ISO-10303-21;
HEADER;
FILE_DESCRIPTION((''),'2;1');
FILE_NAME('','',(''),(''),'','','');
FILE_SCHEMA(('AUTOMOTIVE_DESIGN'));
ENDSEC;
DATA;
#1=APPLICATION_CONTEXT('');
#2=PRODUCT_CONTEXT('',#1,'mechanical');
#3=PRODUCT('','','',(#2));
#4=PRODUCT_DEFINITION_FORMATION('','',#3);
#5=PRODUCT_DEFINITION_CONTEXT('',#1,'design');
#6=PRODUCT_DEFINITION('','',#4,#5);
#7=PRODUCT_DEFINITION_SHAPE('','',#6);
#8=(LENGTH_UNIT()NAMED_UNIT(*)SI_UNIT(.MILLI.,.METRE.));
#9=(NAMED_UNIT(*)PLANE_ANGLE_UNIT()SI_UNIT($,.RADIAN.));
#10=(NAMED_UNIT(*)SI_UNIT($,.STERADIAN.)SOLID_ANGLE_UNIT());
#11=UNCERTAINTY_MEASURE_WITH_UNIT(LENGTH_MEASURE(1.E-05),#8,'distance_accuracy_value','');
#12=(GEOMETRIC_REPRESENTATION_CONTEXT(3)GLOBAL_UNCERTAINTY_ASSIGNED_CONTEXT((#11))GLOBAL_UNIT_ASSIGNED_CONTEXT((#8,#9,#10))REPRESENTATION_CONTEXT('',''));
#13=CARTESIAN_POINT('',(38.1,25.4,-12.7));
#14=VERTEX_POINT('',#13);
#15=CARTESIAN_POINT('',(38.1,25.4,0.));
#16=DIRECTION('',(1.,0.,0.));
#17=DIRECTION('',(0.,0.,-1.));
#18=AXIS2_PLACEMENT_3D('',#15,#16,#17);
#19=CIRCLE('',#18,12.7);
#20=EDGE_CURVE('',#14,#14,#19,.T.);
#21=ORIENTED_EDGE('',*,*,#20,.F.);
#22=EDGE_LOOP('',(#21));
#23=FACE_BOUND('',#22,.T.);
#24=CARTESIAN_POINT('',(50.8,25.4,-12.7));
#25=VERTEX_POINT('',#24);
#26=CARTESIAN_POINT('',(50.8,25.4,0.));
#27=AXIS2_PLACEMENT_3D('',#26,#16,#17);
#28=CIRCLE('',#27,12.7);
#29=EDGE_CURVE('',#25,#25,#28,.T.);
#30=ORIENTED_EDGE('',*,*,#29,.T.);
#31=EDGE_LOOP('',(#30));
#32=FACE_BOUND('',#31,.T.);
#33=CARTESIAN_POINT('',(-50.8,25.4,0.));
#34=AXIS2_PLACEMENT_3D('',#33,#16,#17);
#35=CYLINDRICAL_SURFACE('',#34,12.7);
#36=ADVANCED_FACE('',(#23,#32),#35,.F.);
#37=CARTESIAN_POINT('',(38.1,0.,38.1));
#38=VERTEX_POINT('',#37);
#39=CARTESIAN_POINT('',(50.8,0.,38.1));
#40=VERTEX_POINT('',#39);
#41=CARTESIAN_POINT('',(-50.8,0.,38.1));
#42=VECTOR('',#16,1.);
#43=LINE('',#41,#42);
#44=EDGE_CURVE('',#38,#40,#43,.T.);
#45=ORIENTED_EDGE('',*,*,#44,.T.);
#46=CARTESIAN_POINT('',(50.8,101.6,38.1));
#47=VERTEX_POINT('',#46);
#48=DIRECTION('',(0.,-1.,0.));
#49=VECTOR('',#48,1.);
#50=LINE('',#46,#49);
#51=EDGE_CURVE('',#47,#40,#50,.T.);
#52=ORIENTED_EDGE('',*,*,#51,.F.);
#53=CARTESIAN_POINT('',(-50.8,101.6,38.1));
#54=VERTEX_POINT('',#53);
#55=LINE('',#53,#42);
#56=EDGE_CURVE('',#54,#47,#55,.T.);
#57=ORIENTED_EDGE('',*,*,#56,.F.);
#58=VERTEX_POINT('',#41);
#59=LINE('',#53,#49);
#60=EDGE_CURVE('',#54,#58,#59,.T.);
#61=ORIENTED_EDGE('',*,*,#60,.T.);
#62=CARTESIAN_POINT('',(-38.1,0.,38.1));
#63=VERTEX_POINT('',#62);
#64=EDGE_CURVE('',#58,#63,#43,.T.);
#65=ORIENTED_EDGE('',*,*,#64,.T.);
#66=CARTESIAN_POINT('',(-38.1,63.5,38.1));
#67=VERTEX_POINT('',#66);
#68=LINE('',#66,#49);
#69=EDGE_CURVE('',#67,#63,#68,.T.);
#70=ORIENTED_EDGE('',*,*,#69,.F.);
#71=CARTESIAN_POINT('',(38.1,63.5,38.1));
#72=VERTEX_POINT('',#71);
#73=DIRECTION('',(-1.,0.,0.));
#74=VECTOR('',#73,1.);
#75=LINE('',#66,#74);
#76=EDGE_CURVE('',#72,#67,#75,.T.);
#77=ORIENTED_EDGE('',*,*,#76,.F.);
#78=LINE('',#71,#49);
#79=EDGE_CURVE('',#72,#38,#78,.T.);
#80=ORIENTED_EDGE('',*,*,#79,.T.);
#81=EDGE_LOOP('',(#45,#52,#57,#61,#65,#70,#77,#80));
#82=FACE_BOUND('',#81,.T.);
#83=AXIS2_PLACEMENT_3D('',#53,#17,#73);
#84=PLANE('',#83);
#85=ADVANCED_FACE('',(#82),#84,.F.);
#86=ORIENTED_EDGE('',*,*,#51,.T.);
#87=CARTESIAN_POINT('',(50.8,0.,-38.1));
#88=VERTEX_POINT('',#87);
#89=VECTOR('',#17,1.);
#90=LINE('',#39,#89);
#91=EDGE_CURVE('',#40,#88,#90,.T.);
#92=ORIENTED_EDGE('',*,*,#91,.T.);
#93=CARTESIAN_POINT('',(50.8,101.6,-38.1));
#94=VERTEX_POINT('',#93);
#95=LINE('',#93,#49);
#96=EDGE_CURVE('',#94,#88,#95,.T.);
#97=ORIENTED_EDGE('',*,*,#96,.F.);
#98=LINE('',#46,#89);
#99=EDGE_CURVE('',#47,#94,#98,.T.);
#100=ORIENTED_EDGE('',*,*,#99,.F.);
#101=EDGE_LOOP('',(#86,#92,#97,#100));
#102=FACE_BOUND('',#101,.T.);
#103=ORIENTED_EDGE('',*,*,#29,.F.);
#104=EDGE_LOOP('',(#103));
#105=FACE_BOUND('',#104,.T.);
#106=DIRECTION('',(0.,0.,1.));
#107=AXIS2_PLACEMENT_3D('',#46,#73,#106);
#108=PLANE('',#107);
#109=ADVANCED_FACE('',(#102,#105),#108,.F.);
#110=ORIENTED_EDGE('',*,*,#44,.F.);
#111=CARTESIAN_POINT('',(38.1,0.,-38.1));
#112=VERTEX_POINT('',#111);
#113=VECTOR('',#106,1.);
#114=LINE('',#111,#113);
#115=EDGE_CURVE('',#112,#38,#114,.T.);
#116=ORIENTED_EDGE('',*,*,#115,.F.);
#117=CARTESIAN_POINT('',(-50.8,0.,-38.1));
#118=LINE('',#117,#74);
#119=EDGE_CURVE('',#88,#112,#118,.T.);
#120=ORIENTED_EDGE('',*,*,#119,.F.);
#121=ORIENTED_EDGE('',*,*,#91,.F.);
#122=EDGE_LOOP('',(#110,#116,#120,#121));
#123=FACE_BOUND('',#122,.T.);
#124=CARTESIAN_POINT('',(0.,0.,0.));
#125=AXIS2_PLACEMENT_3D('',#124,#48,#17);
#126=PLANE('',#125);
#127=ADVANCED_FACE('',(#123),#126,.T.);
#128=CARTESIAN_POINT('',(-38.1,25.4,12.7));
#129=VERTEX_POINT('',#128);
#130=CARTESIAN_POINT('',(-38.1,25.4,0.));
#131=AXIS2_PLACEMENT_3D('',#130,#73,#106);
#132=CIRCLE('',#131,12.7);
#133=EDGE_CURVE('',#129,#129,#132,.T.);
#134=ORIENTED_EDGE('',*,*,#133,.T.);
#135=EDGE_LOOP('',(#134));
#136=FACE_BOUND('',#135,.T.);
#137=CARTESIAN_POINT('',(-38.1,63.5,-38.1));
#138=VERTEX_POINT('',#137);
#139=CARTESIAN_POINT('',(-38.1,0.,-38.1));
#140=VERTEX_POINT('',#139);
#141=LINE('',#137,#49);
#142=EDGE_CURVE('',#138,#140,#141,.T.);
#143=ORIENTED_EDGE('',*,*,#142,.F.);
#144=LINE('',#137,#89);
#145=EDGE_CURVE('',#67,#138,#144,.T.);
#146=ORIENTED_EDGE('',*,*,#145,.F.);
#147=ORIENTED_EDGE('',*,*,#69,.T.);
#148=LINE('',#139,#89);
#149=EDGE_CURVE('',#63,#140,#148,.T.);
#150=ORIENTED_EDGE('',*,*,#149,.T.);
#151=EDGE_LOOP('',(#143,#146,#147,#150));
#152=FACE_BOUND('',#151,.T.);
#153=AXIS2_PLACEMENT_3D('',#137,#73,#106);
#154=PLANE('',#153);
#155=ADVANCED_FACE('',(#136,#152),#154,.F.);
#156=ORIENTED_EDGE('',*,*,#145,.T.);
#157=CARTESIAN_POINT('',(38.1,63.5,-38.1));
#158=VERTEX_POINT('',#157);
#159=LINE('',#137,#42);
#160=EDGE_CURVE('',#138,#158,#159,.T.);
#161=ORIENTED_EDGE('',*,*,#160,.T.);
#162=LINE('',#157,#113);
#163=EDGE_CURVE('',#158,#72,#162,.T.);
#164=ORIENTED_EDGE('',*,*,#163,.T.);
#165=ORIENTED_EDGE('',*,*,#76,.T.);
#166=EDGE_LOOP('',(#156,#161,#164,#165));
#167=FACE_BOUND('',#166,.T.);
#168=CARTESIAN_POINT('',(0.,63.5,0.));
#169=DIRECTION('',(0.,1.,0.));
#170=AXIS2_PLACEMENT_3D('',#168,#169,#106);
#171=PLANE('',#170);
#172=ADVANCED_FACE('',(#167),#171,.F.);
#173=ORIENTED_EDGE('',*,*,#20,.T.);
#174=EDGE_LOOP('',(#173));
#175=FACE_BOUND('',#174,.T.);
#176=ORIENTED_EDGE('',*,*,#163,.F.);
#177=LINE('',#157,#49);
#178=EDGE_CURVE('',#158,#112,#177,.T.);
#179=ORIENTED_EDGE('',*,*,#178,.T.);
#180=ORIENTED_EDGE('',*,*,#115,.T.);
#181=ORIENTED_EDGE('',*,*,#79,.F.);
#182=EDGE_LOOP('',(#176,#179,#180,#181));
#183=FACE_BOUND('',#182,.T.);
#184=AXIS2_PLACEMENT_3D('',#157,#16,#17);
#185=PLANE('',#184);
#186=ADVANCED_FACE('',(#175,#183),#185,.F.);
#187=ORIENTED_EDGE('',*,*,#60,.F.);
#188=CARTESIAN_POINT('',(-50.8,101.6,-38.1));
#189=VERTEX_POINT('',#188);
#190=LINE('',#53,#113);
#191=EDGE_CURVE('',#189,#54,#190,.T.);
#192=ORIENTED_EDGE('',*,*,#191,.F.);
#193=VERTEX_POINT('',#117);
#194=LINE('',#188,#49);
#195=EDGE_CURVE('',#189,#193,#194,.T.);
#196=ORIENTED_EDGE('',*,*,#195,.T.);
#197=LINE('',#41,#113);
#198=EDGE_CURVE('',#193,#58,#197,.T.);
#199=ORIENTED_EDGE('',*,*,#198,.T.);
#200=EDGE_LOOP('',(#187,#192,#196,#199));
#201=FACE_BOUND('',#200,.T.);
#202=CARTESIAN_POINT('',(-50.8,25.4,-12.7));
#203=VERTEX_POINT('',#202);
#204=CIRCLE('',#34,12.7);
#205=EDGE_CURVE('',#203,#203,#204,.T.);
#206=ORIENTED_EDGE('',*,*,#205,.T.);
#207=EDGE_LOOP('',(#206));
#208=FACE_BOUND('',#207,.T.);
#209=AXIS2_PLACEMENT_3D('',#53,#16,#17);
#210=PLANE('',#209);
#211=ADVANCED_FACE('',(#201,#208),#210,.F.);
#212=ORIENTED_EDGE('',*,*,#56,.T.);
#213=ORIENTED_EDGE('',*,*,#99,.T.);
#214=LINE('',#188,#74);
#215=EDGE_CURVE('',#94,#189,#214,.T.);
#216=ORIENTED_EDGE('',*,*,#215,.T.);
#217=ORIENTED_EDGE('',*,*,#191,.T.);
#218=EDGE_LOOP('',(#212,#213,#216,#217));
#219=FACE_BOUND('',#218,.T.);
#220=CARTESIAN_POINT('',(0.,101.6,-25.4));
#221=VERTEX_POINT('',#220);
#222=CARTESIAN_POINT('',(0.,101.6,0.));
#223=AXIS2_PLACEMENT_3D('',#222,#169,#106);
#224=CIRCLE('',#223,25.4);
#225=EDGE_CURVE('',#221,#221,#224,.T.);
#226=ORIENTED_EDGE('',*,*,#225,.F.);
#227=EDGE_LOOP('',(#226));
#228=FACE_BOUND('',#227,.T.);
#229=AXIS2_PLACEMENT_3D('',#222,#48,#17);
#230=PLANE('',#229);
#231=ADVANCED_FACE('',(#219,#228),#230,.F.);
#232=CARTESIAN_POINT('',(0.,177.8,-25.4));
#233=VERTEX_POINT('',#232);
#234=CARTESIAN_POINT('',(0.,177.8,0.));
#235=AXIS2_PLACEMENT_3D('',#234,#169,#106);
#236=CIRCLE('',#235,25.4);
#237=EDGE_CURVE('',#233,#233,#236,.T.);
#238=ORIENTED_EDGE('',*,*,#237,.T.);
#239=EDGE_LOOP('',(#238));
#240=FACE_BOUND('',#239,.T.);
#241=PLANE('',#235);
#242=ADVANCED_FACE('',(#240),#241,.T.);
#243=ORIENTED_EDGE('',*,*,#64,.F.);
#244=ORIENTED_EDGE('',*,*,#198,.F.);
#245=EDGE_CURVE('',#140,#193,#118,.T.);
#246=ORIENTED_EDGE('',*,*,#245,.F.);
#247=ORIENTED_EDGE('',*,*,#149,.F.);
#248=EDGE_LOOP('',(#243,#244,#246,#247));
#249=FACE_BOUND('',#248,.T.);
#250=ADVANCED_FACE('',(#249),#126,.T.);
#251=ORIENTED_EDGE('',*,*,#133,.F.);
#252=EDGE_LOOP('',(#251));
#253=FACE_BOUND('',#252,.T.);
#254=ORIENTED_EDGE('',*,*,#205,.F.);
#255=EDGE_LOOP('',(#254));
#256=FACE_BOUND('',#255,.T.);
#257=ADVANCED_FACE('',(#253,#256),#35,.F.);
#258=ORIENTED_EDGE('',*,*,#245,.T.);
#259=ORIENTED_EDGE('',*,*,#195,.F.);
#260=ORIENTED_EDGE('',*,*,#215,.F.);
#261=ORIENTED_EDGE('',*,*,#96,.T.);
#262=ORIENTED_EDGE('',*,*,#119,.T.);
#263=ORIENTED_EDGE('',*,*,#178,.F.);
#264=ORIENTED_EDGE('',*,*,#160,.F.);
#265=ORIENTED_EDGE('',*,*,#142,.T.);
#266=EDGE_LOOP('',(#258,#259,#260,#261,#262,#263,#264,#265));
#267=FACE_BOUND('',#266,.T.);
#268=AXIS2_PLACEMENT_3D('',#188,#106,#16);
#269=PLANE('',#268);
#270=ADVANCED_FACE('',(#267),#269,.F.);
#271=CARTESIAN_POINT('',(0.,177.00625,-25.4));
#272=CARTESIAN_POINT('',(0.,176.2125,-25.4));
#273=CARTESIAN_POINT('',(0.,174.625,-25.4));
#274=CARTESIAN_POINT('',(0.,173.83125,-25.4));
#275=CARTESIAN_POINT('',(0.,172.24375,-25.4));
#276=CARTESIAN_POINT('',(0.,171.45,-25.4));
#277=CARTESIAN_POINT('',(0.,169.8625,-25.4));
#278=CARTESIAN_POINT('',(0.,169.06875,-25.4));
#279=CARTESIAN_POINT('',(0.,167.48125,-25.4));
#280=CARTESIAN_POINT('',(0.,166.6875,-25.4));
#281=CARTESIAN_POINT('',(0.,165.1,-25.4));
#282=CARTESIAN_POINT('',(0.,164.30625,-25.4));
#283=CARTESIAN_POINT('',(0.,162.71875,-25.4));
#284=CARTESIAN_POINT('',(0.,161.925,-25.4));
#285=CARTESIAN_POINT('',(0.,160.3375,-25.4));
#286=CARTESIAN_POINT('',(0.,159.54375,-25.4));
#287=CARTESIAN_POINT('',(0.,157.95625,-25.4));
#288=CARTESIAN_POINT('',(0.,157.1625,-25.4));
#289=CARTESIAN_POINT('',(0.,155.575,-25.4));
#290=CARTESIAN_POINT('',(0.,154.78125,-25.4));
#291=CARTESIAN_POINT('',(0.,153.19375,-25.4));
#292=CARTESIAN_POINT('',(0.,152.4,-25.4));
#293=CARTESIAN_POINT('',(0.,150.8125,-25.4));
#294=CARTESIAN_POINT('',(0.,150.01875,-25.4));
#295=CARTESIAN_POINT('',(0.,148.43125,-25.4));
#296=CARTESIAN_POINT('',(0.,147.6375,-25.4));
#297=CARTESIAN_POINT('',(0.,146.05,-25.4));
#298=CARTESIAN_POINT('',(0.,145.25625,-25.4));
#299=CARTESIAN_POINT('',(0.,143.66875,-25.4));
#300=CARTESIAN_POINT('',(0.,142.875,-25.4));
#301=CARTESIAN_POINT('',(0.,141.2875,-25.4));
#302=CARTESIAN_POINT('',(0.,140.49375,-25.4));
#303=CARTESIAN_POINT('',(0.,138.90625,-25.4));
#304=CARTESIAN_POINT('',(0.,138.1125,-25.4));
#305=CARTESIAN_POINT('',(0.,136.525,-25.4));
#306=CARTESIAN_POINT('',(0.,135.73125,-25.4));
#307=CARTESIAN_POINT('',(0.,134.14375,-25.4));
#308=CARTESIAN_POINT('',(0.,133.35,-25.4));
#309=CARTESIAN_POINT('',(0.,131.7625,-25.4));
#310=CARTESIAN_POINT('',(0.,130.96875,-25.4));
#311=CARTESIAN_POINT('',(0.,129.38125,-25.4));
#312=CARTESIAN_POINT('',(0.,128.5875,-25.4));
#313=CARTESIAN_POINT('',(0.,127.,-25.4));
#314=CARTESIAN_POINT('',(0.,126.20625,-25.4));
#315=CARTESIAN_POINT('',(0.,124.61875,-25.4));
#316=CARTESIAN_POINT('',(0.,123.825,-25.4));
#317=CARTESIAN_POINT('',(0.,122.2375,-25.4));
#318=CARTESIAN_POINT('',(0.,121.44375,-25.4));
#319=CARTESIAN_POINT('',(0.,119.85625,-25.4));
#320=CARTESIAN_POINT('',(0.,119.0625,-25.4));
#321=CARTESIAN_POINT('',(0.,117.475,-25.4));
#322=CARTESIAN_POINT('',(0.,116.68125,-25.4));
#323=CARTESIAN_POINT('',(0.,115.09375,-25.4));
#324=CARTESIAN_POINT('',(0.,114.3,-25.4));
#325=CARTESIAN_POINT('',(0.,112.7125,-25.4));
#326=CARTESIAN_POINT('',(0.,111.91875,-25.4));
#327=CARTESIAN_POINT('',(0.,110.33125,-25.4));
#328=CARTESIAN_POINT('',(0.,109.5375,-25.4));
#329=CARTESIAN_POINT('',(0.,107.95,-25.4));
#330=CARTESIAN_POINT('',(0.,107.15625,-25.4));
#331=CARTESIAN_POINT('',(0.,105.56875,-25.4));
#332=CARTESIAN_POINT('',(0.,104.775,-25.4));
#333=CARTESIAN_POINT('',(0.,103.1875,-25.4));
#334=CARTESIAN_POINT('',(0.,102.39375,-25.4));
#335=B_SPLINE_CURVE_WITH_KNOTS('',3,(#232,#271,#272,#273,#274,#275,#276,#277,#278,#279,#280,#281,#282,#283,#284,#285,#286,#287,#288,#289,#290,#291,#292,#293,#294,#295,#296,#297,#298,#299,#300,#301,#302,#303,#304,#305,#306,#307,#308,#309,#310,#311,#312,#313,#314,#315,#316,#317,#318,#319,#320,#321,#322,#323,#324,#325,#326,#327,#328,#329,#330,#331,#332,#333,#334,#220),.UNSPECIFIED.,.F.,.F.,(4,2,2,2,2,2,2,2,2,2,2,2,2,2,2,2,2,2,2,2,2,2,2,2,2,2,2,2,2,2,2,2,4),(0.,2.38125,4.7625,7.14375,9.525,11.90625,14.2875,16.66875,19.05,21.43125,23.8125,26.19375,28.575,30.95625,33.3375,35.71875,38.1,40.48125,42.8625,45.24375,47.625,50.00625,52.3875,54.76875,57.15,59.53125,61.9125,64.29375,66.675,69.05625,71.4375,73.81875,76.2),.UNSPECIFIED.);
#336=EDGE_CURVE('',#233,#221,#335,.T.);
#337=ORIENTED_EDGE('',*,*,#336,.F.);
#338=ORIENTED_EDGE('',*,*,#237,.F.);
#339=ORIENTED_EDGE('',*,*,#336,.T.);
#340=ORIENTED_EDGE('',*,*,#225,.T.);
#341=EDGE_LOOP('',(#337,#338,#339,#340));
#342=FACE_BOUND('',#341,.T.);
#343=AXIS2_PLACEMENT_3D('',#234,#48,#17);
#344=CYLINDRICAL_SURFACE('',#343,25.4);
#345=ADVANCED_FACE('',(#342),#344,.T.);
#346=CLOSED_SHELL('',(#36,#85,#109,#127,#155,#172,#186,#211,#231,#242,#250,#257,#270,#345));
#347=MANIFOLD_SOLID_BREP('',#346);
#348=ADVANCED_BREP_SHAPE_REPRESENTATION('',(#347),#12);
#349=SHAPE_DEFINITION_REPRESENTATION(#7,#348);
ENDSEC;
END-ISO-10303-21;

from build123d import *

# Parameters (mm, degrees)
SKETCH1_W           = 101.6
SKETCH1_H           = 76.2
BOSS_EXTRUDE1_DEPTH = 101.6
SKETCH2_W           = 76.2
SKETCH2_H           = 76.2
CUT_EXTRUDE1_DEPTH  = 63.5
SKETCH3_R           = 12.7
CUT_EXTRUDE2_DEPTH  = 149.649688866
SKETCH4_R           = 25.4
BOSS_EXTRUDE2_DEPTH = 76.2


with BuildPart() as part:
    # Sketch1 → Boss-Extrude1 (new body)
    with BuildSketch(Plane(origin=(0, 0, 0), x_dir=(1, 0, 0), z_dir=(0, 1, 0))):
        Rectangle(SKETCH1_W, SKETCH1_H)
    extrude(amount=BOSS_EXTRUDE1_DEPTH)

    # Sketch2 → Cut-Extrude1 (cut)
    with BuildSketch(Plane.XZ):
        Rectangle(SKETCH2_W, SKETCH2_H)
    extrude(amount=-CUT_EXTRUDE1_DEPTH, mode=Mode.SUBTRACT)

    # Sketch3 → Cut-Extrude2 (cut, through all)
    with BuildSketch(Plane(origin=(50.8, 0, 0), x_dir=(0, 0, -1), z_dir=(1, 0, 0))):
        with Locations((0, 25.4)):
            Circle(SKETCH3_R)
    extrude(amount=-CUT_EXTRUDE2_DEPTH, mode=Mode.SUBTRACT)

    # Sketch4 → Boss-Extrude2 (add)
    with BuildSketch(Plane(origin=(0, 101.6, 0), x_dir=(1, 0, 0), z_dir=(0, 1, 0))):
        with Locations(Location((0, 0, 0), (0, 0, 90))):
            Circle(SKETCH4_R)
    extrude(amount=BOSS_EXTRUDE2_DEPTH)


solid = part.part
